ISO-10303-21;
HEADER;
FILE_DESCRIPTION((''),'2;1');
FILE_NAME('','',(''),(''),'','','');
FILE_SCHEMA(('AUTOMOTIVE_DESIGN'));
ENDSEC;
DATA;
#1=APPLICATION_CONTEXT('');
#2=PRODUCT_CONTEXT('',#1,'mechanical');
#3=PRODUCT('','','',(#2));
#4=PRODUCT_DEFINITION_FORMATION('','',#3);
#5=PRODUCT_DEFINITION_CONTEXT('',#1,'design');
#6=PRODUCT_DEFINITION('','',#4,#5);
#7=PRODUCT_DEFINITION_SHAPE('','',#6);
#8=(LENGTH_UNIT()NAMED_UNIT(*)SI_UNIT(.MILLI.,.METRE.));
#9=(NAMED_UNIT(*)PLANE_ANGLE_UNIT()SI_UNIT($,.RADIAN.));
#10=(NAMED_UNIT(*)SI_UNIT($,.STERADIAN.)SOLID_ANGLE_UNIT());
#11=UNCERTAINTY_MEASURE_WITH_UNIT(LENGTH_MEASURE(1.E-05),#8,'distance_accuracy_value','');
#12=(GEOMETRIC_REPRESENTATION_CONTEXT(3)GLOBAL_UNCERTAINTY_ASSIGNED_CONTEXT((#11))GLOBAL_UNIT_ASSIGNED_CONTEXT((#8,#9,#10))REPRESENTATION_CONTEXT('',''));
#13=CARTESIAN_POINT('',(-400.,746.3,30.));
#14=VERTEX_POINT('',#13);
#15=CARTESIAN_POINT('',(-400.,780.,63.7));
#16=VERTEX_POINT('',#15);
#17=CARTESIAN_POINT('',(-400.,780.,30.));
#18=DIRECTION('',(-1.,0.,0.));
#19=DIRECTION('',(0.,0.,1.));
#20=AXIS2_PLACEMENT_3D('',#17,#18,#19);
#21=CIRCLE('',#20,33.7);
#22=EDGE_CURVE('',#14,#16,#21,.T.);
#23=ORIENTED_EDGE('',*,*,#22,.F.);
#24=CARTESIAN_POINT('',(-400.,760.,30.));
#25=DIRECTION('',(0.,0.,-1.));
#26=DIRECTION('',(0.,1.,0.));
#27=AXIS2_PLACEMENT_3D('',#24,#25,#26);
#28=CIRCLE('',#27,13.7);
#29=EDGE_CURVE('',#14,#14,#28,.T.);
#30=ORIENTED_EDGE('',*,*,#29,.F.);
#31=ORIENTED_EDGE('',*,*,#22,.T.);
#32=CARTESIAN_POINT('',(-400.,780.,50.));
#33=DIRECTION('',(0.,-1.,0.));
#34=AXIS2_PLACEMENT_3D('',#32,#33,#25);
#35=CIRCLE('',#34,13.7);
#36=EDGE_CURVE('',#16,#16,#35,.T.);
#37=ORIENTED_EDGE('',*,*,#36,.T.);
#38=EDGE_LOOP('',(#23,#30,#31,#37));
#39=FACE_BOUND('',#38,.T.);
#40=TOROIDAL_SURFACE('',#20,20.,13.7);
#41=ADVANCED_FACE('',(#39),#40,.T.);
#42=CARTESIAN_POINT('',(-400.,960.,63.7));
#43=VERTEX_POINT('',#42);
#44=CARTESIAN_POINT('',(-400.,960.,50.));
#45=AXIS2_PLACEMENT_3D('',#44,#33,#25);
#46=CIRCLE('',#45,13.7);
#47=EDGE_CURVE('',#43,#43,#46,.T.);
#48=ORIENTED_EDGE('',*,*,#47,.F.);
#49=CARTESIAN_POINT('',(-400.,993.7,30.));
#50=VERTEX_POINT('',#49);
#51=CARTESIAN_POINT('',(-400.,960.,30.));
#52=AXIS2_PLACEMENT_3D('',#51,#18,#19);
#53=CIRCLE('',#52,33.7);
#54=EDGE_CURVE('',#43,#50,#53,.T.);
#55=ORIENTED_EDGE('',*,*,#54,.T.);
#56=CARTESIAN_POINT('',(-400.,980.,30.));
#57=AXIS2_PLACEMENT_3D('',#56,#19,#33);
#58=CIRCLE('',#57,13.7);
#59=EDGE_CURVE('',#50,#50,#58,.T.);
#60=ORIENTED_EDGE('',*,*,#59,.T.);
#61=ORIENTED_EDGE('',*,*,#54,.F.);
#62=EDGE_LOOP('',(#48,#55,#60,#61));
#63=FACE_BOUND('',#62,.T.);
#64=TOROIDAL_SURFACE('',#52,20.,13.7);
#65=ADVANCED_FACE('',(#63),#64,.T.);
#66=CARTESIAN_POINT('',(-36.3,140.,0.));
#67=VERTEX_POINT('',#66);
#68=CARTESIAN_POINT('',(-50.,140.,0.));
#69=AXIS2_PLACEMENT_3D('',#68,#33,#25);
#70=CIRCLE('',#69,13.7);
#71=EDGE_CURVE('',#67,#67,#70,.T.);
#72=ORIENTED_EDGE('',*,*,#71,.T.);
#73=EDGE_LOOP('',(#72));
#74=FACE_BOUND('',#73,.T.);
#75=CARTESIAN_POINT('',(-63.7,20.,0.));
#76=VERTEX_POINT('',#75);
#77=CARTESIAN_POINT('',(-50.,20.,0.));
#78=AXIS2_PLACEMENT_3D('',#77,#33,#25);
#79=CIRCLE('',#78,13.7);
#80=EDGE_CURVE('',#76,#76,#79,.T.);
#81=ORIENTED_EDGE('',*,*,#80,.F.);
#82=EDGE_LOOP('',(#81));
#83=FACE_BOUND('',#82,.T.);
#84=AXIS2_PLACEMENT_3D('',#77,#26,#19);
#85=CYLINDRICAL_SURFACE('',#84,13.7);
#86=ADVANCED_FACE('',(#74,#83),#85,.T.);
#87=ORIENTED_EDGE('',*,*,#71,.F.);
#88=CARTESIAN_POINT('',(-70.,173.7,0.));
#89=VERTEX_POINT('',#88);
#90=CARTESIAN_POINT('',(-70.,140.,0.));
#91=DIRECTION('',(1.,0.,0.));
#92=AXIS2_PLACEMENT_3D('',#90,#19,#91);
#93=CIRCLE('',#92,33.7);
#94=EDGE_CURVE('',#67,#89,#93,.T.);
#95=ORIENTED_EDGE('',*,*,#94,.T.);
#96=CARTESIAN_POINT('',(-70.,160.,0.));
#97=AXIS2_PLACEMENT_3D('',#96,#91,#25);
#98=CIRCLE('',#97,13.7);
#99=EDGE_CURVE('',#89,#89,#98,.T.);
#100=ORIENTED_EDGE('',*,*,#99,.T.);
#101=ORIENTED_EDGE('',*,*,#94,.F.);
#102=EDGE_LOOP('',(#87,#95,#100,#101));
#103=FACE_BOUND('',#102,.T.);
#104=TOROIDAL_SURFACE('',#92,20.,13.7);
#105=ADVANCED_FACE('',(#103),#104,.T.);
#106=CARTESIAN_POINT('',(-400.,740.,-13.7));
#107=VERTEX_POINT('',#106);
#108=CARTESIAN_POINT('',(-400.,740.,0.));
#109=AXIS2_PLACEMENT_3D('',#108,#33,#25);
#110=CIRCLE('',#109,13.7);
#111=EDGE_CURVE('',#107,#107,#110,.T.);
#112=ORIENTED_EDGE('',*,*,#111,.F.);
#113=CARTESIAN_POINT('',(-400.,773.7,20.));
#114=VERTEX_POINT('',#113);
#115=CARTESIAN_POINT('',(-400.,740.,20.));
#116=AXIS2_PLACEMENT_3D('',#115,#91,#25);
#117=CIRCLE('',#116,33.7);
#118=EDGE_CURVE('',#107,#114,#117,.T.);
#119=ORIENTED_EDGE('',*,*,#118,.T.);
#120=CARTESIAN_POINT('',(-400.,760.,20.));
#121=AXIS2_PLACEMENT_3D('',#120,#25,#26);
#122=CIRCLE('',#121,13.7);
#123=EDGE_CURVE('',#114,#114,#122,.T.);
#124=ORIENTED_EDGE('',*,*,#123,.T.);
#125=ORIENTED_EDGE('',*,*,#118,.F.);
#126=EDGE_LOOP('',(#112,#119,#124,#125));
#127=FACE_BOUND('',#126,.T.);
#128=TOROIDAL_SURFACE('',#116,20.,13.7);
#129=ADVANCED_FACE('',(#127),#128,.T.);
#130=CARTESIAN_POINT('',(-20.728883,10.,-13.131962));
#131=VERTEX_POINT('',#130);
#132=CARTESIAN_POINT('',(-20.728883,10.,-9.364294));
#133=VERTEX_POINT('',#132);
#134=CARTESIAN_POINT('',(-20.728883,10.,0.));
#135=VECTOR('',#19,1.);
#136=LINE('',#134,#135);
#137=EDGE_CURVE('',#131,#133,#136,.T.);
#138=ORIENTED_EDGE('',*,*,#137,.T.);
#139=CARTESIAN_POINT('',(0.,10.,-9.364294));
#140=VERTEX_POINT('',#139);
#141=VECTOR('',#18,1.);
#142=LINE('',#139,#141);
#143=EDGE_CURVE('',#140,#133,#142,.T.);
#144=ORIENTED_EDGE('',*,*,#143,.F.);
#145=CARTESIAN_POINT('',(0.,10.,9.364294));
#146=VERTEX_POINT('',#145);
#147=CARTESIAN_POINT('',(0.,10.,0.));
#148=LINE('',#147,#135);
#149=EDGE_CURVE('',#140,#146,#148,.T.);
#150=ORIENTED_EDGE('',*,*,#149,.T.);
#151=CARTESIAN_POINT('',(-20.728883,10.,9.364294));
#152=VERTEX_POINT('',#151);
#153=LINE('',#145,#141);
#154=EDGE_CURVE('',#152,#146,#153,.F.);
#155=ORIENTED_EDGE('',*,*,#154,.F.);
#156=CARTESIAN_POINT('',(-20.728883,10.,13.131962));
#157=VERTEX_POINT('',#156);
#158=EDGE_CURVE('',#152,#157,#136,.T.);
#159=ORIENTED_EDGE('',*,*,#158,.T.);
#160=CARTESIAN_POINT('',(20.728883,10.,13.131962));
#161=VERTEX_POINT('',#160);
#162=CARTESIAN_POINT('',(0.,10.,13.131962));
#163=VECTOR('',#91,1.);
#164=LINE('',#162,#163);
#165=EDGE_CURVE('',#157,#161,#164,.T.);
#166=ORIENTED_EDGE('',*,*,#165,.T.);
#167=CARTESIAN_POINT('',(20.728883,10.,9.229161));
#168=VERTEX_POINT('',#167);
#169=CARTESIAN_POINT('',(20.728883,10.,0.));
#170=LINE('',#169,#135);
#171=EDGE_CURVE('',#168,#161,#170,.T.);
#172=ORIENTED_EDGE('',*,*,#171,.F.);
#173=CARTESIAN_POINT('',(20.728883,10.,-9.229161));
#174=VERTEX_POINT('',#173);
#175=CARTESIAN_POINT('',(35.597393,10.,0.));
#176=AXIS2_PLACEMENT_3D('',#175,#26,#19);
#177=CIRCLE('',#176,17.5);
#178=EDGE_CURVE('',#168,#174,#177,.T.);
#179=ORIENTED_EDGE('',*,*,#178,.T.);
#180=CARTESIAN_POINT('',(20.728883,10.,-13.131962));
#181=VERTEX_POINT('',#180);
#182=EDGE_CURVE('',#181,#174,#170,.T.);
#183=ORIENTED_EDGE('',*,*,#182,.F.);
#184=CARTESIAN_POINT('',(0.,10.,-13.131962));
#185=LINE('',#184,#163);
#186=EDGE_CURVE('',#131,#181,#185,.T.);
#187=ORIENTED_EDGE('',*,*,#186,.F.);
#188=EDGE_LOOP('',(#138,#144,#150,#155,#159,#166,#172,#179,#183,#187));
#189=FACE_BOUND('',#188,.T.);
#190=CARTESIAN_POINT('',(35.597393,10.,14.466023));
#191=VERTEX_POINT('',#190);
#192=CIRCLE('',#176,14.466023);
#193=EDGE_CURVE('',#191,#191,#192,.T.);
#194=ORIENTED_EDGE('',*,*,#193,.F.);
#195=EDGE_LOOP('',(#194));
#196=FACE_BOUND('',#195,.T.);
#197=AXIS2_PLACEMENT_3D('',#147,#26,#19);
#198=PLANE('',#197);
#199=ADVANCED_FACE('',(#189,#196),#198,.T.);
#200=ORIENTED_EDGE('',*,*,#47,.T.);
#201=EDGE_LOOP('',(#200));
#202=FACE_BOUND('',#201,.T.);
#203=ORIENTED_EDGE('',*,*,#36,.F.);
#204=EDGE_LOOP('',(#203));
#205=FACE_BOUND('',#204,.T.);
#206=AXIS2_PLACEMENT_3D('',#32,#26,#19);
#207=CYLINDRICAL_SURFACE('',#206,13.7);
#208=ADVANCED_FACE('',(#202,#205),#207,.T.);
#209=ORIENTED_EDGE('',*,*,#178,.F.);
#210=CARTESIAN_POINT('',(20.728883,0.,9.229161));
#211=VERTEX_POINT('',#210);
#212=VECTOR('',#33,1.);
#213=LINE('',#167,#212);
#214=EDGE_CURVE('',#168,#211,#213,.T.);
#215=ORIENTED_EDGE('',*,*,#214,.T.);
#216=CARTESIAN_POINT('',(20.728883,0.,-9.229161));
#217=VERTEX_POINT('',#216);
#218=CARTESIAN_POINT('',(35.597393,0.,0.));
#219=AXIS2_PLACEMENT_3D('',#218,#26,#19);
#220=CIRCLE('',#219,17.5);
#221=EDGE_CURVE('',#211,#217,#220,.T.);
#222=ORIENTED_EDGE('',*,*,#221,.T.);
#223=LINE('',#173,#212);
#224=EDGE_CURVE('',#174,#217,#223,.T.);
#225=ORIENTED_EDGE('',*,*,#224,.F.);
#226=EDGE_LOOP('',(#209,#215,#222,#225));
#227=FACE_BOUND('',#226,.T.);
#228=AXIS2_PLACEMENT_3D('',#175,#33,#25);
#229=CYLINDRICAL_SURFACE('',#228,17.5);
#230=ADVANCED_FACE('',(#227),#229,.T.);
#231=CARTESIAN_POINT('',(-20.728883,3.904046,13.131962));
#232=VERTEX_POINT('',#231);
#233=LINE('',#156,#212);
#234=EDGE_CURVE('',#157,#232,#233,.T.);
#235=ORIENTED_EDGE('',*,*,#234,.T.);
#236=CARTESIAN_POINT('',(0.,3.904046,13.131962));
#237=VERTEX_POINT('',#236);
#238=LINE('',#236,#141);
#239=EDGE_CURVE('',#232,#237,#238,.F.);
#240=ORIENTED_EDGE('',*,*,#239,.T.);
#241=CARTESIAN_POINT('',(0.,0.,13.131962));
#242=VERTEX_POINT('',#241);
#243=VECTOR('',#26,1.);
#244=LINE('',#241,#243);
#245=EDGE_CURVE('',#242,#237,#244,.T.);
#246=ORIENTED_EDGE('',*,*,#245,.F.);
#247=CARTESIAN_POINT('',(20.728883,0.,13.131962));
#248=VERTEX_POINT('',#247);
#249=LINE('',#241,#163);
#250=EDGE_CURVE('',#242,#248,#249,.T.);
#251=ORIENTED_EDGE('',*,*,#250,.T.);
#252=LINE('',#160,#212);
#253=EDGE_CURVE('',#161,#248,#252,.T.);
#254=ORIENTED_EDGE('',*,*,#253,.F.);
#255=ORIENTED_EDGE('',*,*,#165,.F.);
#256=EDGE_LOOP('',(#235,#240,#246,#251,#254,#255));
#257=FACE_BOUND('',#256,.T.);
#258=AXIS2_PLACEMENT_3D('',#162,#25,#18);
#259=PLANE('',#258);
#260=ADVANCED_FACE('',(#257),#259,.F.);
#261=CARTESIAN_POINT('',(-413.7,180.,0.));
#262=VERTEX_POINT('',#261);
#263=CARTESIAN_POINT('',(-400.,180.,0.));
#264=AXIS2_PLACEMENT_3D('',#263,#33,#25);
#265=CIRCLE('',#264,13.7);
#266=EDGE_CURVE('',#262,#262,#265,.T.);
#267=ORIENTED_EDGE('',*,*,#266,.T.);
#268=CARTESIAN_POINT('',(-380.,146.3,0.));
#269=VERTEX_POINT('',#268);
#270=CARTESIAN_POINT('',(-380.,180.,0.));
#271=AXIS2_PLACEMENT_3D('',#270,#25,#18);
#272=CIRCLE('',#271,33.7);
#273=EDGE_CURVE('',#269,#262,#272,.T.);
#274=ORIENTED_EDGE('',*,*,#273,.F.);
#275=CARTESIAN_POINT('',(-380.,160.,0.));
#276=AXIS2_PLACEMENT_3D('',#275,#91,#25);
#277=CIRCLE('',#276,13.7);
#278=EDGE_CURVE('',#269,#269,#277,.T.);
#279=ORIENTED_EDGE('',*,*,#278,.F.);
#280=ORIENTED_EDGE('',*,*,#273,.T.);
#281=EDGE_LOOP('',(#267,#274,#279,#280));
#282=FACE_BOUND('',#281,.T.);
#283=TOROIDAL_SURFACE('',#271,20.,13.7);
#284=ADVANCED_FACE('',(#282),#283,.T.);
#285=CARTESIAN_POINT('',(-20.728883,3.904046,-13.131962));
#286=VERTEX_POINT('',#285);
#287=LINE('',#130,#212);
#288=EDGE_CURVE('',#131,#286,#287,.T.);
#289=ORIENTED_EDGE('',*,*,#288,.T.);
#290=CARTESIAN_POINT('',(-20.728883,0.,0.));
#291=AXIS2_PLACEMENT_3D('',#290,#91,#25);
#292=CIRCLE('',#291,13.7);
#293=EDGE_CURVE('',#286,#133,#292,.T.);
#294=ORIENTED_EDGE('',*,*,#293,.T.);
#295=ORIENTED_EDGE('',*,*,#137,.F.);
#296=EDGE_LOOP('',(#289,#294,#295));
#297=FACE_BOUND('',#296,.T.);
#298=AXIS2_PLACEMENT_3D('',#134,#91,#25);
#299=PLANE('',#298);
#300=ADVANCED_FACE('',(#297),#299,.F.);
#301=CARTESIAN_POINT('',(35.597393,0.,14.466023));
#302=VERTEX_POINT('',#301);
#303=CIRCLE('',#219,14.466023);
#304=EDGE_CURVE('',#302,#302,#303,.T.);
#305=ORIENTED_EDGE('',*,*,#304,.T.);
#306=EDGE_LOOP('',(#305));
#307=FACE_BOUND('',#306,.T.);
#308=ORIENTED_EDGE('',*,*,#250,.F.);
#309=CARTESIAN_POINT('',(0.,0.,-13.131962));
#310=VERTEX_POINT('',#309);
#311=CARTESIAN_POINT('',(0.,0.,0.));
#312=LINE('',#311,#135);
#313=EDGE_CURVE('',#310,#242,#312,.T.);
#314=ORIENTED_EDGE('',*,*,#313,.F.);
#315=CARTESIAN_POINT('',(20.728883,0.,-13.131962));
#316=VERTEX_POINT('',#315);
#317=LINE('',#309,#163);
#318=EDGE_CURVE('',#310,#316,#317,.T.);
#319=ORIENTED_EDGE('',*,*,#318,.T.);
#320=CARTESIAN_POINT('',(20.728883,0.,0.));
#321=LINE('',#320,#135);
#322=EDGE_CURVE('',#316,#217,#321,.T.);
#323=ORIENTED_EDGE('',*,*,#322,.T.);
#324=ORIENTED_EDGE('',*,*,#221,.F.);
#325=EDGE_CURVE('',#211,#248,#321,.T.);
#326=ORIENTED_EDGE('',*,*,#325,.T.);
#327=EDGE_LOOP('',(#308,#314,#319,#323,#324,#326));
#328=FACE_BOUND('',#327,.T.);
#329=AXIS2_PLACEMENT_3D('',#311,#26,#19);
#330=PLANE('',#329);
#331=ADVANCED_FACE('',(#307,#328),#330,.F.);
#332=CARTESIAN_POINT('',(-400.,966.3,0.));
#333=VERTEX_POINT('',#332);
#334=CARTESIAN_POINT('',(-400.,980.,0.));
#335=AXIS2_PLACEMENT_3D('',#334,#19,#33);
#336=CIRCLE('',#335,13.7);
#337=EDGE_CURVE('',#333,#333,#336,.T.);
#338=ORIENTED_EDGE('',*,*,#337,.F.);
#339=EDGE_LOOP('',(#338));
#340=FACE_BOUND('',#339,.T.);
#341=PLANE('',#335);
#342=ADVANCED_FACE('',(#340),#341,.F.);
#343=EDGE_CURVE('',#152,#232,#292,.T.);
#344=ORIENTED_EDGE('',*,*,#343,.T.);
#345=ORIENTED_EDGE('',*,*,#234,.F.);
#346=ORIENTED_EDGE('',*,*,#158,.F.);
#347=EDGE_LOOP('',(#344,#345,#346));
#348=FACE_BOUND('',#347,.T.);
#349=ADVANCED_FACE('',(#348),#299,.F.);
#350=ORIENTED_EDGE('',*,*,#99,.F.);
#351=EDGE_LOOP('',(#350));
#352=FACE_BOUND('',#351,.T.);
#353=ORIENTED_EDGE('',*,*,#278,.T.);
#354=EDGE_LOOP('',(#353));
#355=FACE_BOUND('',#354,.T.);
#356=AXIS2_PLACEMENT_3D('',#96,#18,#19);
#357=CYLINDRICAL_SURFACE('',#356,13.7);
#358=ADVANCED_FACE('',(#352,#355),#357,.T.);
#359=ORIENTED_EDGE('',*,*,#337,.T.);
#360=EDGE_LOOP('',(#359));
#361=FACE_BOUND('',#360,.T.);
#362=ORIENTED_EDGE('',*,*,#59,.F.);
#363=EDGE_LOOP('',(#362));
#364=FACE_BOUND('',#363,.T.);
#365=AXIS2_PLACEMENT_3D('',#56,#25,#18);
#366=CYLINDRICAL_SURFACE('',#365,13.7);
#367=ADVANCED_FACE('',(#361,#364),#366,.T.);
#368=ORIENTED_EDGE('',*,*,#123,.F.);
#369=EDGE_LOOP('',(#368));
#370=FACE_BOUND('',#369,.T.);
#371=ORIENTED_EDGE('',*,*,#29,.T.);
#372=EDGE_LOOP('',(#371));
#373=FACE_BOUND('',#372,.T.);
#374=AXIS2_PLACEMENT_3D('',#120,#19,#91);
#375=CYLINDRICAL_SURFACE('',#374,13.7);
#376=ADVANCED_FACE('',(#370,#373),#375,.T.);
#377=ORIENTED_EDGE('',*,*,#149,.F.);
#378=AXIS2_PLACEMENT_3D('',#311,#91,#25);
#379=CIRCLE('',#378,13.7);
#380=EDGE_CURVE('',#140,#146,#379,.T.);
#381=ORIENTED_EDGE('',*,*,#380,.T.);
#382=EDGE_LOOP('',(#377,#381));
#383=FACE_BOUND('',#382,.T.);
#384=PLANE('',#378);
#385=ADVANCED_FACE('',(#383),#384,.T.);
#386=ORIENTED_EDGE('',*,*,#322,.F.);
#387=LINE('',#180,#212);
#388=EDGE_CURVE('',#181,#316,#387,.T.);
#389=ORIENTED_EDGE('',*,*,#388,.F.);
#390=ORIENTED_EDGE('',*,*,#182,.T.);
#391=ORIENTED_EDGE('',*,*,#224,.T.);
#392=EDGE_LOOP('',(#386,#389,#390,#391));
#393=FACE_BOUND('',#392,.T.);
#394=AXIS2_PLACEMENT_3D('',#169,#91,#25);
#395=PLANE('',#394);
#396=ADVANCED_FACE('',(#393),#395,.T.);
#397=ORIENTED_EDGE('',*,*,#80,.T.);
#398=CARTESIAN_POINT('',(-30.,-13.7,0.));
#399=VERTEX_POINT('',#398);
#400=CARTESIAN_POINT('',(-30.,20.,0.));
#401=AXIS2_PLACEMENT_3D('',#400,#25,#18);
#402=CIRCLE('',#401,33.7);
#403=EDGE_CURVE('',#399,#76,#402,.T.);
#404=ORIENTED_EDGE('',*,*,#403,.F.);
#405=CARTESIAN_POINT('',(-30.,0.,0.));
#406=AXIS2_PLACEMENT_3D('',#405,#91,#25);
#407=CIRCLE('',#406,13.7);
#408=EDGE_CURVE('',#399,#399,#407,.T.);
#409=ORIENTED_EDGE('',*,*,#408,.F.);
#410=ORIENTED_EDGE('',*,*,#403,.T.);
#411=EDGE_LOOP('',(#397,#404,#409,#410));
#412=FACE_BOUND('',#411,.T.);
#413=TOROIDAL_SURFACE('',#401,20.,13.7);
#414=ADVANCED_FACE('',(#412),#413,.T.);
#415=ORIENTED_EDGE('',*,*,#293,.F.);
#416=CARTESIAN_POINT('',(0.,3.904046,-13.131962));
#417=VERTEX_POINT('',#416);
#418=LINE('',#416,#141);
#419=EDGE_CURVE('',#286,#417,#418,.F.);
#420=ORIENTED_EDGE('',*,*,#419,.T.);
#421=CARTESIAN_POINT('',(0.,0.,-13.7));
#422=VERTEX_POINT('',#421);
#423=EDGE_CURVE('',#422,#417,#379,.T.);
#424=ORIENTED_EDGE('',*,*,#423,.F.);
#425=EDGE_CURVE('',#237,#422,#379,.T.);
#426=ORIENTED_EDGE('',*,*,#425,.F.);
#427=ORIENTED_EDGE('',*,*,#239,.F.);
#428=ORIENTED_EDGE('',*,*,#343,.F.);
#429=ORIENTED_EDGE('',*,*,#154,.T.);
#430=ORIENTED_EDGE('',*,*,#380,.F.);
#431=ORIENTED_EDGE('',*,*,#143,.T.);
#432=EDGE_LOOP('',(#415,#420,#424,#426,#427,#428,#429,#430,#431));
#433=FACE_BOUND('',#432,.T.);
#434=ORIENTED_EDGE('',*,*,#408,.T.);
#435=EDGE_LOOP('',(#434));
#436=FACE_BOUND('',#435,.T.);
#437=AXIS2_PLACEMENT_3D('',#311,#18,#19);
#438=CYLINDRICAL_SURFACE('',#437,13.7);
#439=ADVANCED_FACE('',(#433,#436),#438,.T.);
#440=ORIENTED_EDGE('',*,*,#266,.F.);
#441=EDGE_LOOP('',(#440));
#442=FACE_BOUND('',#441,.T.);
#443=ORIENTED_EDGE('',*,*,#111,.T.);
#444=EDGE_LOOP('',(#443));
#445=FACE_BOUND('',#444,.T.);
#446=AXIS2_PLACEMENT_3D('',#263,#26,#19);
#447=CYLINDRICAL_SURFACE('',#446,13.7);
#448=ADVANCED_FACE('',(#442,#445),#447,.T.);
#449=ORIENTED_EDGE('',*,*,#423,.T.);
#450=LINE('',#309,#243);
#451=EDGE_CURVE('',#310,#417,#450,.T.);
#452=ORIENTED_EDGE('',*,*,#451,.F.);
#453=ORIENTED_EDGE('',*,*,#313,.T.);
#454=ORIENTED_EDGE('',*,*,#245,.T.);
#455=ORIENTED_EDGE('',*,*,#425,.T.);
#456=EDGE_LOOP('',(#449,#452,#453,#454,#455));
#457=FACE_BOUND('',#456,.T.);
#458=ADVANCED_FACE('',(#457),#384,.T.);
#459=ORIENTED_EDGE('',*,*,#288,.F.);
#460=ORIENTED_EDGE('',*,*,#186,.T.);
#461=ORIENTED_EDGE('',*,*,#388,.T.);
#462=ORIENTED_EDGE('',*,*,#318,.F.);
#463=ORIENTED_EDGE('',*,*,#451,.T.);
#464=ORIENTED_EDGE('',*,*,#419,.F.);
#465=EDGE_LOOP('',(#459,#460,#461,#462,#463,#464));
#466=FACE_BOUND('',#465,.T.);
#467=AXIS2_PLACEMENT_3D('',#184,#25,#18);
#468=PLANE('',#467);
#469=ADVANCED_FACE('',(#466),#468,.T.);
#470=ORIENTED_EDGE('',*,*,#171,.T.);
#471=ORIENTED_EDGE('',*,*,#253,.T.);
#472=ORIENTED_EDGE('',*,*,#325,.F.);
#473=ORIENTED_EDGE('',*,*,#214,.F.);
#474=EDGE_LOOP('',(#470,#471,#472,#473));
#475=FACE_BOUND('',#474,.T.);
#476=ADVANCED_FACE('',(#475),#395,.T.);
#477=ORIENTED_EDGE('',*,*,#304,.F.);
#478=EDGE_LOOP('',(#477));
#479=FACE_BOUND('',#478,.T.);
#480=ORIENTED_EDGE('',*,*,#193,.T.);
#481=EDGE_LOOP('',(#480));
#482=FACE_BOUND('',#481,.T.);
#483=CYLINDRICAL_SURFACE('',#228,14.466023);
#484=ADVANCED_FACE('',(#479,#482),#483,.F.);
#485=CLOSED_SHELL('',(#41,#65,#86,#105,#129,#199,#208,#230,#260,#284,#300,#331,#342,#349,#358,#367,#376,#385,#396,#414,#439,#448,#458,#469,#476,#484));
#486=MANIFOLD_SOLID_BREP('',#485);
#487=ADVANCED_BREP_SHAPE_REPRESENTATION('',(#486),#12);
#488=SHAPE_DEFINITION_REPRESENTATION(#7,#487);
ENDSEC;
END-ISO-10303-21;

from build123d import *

# Parameters (mm, degrees)
CROQUIS1_R              = 13.7
CROQUIS2_R              = 17.5
CROQUIS2_R_2            = 14.466023188
SALIENTE_EXTRUIR1_DEPTH = 10


with BuildPart() as part:
    # Barrer1: sweep along a curve in space
    with BuildLine() as barrer1_path:
        Line((0, 0, 0), (-30, 0, 0))
        ThreePointArc((-30, 0, 0), (-44.142135624, 5.857864376, 0), (-50, 20, 0))
        Line((-50, 20, 0), (-50, 140, 0))
        ThreePointArc((-50, 140, 0), (-55.857864376, 154.142135624, 0), (-70, 160, 0))
        Line((-70, 160, 0), (-380, 160, 0))
        ThreePointArc((-380, 160, 0), (-394.142135624, 165.857864376, 0), (-400, 180, 0))
        Line((-400, 180, 0), (-400, 740, 0))
        ThreePointArc((-400, 740, 0), (-400, 754.142135624, 5.857864376), (-400, 760, 20))
        Line((-400, 760, 20), (-400, 760, 30))
        ThreePointArc((-400, 760, 30), (-400, 765.857864376, 44.142135624), (-400, 780, 50))
        Line((-400, 780, 50), (-400, 960, 50))
        ThreePointArc((-400, 960, 50), (-400, 974.142135624, 44.142135624), (-400, 980, 30))
        Line((-400, 980, 30), (-400, 980, 0))
    # Croquis1 → Barrer1 (sweep)
    with BuildSketch(Plane(origin=(0, 0, 0), x_dir=(0, 0, -1), z_dir=(1, 0, 0))):
        Circle(CROQUIS1_R)
    sweep(path=barrer1_path.line)

    # Croquis2 → Saliente-Extruir1 (add)
    with BuildSketch(Plane(origin=(0, 0, 0), x_dir=(1, 0, 0), z_dir=(0, 1, 0))):
        with BuildLine():
            Line((20.728883455, -13.13196188), (20.728883455, -9.22916137))
            ThreePointArc((20.728883455, -9.22916137), (18.097393145, 0), (20.728883455, 9.22916137))
            Line((20.728883455, 9.22916137), (20.728883455, 13.13196188))
            Line((20.728883455, 13.13196188), (-20.728883455, 13.13196188))
            Line((-20.728883455, 13.13196188), (-20.728883455, -13.13196188))
            Line((-20.728883455, -13.13196188), (20.728883455, -13.13196188))
        make_face()
        with Locations((35.597393145, 0)):
            Circle(CROQUIS2_R)
        with Locations((35.597393145, 0)):
            Circle(CROQUIS2_R_2, mode=Mode.SUBTRACT)
    extrude(amount=SALIENTE_EXTRUIR1_DEPTH)


solid = part.part
